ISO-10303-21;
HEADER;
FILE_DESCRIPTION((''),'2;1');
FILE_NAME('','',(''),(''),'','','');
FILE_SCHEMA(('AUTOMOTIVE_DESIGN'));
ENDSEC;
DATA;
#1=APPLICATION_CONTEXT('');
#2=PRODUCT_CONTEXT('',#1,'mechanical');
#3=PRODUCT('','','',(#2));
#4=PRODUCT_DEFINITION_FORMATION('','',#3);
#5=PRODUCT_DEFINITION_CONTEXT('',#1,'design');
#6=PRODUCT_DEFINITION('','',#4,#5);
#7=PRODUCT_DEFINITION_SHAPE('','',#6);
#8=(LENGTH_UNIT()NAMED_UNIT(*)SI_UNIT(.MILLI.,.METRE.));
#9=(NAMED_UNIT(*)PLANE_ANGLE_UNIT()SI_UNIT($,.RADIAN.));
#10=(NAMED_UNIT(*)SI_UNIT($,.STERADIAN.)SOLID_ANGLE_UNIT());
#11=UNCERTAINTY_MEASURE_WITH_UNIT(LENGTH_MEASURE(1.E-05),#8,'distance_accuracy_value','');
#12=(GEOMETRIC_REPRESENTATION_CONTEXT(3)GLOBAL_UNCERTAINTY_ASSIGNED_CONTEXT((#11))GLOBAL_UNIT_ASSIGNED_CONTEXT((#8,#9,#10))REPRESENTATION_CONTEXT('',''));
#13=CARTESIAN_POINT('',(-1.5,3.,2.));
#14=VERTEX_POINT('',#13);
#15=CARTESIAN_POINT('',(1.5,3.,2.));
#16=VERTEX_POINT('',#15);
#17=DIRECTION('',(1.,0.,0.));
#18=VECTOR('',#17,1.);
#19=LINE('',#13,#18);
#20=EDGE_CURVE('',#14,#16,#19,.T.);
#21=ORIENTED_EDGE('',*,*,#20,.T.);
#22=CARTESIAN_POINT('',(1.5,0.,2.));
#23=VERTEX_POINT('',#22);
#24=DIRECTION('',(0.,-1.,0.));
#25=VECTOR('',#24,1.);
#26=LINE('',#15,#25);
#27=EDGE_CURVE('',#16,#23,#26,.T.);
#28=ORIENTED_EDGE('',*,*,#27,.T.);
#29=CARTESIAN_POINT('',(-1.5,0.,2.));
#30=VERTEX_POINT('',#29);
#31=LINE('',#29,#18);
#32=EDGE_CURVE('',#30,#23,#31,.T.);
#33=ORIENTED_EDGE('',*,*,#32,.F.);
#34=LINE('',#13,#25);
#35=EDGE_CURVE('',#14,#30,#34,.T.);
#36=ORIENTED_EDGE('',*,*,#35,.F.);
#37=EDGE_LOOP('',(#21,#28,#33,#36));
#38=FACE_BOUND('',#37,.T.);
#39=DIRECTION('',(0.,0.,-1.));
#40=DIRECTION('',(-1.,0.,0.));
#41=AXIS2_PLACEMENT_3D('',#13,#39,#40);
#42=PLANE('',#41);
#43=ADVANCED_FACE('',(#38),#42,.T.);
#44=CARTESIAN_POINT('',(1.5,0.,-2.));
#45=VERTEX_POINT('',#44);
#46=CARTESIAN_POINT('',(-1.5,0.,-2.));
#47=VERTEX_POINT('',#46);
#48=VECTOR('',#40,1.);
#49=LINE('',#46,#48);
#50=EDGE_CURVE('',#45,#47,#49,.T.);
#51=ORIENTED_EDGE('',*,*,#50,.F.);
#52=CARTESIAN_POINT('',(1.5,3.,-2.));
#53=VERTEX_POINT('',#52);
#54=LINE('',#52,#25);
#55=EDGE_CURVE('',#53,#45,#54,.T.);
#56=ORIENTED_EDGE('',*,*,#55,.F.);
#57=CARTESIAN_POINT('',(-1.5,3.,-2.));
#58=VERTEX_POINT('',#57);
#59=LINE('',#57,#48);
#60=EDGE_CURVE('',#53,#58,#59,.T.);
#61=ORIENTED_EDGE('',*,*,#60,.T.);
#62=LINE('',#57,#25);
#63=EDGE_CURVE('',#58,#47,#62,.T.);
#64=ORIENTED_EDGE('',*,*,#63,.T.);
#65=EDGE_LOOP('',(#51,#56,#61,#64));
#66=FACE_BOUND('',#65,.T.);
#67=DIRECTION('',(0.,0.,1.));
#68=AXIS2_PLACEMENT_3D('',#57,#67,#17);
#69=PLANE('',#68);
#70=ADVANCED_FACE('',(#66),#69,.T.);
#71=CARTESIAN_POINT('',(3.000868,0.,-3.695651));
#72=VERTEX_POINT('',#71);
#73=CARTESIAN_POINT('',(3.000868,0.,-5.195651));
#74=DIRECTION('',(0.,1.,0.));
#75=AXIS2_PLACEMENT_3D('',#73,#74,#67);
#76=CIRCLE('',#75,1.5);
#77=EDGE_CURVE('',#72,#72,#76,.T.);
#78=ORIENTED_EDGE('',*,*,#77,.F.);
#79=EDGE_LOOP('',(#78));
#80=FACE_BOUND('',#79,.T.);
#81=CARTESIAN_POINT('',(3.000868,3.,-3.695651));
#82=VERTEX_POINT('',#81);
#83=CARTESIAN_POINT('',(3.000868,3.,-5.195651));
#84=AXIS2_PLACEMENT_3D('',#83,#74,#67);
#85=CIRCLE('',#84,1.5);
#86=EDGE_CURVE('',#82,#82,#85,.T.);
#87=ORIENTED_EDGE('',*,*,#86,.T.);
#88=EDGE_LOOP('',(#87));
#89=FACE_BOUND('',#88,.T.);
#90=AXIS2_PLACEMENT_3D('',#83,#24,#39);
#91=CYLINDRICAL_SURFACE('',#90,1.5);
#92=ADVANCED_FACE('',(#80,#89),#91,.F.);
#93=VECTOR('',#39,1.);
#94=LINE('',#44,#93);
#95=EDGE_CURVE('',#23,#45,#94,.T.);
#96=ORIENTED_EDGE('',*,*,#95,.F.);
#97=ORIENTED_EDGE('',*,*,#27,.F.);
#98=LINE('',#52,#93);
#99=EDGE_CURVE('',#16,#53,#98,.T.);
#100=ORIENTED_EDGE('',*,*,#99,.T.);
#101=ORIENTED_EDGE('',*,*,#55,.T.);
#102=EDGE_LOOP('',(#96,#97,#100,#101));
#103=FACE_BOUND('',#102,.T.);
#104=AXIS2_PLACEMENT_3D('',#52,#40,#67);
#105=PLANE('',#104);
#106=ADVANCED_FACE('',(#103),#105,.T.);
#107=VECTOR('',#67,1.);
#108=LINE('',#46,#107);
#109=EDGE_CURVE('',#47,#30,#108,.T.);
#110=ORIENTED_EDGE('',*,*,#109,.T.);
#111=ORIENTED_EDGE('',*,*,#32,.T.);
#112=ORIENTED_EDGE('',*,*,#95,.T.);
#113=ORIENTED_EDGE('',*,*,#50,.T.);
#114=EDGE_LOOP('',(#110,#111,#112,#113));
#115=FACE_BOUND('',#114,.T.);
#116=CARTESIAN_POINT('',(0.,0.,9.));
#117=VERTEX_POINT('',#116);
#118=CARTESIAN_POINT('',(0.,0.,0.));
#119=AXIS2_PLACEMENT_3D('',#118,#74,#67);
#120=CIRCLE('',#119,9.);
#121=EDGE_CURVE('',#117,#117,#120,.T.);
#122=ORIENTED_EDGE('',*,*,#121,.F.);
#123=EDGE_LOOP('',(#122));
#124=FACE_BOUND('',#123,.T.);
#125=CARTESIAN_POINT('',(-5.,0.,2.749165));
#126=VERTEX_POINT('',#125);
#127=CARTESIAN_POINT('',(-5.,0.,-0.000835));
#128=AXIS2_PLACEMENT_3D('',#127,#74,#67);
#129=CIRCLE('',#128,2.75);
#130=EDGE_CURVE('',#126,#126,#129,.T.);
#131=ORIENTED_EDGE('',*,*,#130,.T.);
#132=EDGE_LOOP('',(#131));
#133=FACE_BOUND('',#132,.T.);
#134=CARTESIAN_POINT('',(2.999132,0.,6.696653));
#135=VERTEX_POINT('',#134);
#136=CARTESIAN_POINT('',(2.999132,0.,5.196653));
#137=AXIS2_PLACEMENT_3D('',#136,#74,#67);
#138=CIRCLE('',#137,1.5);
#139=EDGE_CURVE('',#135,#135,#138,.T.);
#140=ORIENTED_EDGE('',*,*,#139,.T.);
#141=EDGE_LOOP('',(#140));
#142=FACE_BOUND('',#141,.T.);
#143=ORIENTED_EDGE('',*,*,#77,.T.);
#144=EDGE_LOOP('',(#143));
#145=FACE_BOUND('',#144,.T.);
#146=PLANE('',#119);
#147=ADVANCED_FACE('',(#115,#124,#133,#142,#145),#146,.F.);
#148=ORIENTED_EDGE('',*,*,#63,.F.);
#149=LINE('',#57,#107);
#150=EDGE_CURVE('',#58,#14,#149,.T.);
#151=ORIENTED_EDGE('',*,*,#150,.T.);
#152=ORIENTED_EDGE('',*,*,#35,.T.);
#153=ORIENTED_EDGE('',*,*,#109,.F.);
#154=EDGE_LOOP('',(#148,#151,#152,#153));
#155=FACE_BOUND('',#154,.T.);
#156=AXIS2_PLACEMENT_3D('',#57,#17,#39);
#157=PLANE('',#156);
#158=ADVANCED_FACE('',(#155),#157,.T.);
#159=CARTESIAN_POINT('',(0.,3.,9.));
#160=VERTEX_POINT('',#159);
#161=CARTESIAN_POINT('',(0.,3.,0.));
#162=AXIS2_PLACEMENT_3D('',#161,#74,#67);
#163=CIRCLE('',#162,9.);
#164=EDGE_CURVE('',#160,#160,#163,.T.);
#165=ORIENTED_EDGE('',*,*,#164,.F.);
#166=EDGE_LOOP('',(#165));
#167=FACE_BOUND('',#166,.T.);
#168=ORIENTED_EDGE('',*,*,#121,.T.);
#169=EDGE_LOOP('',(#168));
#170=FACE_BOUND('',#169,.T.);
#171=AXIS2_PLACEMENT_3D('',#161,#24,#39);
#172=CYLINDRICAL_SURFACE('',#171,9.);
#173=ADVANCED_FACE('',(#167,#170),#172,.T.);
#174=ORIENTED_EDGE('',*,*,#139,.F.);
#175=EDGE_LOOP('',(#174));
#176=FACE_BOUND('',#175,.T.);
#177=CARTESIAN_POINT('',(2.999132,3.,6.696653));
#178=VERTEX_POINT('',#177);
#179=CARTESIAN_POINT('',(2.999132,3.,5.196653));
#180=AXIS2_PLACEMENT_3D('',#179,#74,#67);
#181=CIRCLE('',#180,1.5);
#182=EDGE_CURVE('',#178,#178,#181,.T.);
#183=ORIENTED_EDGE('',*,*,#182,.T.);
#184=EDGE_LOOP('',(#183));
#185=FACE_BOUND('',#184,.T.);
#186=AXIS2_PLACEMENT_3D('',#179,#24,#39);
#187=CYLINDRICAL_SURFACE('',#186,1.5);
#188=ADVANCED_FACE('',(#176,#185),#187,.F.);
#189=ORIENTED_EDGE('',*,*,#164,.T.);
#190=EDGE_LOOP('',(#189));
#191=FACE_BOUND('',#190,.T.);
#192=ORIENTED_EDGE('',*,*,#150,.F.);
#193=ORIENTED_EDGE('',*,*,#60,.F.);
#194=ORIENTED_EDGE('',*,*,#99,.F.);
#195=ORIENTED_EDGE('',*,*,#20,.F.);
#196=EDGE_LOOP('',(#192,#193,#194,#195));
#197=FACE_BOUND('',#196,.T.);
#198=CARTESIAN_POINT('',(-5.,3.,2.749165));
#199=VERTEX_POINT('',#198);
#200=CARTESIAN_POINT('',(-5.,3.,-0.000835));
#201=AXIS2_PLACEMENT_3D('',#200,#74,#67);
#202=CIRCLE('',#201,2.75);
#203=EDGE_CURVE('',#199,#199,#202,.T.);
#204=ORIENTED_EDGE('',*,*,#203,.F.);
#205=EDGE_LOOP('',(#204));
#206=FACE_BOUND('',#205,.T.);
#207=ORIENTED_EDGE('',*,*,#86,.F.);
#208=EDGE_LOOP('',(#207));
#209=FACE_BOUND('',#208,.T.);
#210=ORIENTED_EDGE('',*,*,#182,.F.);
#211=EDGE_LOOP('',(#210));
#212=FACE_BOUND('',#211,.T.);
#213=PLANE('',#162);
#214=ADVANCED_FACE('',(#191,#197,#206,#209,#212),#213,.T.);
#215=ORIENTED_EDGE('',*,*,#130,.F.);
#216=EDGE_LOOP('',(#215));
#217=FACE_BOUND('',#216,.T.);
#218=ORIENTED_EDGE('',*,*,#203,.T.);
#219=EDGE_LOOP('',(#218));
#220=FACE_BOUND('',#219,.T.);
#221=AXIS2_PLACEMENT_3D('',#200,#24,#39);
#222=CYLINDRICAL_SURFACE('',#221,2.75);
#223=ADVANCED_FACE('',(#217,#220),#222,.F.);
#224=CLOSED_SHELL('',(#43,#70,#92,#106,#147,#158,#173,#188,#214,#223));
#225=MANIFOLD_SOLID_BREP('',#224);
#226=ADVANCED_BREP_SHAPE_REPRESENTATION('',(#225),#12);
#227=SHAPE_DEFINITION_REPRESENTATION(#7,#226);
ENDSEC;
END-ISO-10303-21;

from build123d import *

# Parameters (mm, degrees)
SKETCH1_R           = 9
SKETCH1_R_2         = 2.75
SKETCH1_R_3         = 1.5
SKETCH1_W           = 3
SKETCH1_H           = 4
BOSS_EXTRUDE1_DEPTH = 3


with BuildPart() as part:
    # Sketch1 → Boss-Extrude1 (new body)
    with BuildSketch(Plane(origin=(0, 0, 0), x_dir=(1, 0, 0), z_dir=(0, 1, 0))):
        Circle(SKETCH1_R)
        with Locations((-5, 0.000835232)):
            Circle(SKETCH1_R_2, mode=Mode.SUBTRACT)
        with Locations((2.999131959, -5.19665349)):
            Circle(SKETCH1_R_3, mode=Mode.SUBTRACT)
        with Locations((3.000867957, 5.195651211)):
            Circle(SKETCH1_R_3, mode=Mode.SUBTRACT)
        Rectangle(SKETCH1_W, SKETCH1_H, mode=Mode.SUBTRACT)
    extrude(amount=BOSS_EXTRUDE1_DEPTH)


solid = part.part
